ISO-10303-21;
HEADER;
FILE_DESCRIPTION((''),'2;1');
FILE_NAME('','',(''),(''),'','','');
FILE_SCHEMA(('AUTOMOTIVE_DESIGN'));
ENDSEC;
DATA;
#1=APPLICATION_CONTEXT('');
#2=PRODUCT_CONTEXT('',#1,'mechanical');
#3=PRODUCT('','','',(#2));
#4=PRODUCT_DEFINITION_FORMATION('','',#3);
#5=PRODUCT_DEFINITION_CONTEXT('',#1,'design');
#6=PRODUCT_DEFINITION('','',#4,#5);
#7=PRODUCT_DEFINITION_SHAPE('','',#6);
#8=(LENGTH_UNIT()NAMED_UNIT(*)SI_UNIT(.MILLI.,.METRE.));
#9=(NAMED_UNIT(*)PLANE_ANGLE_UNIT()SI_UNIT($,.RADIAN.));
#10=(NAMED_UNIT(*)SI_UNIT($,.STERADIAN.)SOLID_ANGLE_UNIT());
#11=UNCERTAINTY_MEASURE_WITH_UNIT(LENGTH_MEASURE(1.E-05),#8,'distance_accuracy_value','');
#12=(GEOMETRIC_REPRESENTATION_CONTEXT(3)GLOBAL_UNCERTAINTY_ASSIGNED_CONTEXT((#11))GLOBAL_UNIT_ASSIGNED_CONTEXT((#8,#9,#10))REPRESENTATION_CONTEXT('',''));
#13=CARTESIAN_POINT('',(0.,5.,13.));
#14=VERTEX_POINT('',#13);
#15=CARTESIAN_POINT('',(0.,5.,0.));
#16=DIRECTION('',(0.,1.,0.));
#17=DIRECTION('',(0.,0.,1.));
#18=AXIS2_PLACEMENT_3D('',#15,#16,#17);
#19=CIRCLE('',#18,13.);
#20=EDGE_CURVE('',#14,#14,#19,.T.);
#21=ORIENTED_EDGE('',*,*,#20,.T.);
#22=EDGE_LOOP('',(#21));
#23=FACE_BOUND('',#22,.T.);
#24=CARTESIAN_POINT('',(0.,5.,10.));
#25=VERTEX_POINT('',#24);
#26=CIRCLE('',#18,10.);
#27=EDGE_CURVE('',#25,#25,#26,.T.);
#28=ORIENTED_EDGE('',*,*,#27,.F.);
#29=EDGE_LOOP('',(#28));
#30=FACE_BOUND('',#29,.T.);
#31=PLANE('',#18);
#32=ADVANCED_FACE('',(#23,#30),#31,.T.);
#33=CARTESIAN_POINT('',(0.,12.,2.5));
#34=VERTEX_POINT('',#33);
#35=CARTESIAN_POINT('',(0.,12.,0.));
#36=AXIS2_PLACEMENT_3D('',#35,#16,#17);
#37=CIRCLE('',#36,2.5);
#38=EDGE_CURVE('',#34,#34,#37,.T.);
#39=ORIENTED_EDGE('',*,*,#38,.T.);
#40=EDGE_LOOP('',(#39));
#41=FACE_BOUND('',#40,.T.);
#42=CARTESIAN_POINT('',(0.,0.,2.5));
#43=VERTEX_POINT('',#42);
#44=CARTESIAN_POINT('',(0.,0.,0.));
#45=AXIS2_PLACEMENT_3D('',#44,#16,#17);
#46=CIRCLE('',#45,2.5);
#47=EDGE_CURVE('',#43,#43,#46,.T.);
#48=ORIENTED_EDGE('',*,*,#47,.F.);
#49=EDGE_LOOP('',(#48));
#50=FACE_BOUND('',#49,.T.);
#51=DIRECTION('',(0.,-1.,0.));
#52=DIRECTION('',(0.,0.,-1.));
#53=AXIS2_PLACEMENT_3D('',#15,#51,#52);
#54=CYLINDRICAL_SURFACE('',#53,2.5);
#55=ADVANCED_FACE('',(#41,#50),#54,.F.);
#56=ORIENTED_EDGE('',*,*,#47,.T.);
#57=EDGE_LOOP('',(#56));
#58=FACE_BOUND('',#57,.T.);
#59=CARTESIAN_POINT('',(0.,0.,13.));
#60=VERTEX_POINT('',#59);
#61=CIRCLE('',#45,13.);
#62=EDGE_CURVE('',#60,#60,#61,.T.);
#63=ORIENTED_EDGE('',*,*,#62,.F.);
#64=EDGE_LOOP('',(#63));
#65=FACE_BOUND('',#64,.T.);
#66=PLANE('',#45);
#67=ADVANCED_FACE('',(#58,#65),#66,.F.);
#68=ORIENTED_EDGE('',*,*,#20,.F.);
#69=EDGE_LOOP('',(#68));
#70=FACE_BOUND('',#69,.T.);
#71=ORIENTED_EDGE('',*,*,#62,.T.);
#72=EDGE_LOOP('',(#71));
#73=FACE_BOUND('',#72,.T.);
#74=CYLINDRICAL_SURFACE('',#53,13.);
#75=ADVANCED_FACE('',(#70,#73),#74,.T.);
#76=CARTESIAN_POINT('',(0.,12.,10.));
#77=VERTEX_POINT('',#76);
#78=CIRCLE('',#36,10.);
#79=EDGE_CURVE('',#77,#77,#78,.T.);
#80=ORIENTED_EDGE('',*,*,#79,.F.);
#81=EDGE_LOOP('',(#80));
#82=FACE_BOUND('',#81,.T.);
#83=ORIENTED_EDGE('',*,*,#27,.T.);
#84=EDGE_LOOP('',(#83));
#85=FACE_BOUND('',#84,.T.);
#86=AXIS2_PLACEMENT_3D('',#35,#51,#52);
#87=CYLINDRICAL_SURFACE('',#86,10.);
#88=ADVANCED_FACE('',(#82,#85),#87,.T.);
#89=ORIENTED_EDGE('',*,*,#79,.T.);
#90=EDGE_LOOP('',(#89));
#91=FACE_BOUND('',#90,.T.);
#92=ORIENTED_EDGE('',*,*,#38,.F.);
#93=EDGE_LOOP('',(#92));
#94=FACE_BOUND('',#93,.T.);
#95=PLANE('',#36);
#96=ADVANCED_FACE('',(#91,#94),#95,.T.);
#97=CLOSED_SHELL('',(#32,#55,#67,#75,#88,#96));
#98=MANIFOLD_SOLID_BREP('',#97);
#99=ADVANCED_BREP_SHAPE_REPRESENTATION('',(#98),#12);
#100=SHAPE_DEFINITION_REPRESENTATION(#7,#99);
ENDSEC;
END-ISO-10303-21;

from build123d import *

# Parameters (mm, degrees)
SKETCH1_R           = 13
SKETCH1_R_2         = 2.5
BOSS_EXTRUDE1_DEPTH = 5
SKETCH2_R           = 10
SKETCH2_R_2         = 2.5
BOSS_EXTRUDE2_DEPTH = 7


with BuildPart() as part:
    # Sketch1 → Boss-Extrude1 (new body)
    with BuildSketch(Plane(origin=(0, 0, 0), x_dir=(1, 0, 0), z_dir=(0, 1, 0))):
        Circle(SKETCH1_R)
        Circle(SKETCH1_R_2, mode=Mode.SUBTRACT)
    extrude(amount=BOSS_EXTRUDE1_DEPTH)

    # Sketch2 → Boss-Extrude2 (add)
    with BuildSketch(Plane(origin=(0, 5, 0), x_dir=(1, 0, 0), z_dir=(0, 1, 0))):
        Circle(SKETCH2_R)
        Circle(SKETCH2_R_2, mode=Mode.SUBTRACT)
    extrude(amount=BOSS_EXTRUDE2_DEPTH)


solid = part.part
